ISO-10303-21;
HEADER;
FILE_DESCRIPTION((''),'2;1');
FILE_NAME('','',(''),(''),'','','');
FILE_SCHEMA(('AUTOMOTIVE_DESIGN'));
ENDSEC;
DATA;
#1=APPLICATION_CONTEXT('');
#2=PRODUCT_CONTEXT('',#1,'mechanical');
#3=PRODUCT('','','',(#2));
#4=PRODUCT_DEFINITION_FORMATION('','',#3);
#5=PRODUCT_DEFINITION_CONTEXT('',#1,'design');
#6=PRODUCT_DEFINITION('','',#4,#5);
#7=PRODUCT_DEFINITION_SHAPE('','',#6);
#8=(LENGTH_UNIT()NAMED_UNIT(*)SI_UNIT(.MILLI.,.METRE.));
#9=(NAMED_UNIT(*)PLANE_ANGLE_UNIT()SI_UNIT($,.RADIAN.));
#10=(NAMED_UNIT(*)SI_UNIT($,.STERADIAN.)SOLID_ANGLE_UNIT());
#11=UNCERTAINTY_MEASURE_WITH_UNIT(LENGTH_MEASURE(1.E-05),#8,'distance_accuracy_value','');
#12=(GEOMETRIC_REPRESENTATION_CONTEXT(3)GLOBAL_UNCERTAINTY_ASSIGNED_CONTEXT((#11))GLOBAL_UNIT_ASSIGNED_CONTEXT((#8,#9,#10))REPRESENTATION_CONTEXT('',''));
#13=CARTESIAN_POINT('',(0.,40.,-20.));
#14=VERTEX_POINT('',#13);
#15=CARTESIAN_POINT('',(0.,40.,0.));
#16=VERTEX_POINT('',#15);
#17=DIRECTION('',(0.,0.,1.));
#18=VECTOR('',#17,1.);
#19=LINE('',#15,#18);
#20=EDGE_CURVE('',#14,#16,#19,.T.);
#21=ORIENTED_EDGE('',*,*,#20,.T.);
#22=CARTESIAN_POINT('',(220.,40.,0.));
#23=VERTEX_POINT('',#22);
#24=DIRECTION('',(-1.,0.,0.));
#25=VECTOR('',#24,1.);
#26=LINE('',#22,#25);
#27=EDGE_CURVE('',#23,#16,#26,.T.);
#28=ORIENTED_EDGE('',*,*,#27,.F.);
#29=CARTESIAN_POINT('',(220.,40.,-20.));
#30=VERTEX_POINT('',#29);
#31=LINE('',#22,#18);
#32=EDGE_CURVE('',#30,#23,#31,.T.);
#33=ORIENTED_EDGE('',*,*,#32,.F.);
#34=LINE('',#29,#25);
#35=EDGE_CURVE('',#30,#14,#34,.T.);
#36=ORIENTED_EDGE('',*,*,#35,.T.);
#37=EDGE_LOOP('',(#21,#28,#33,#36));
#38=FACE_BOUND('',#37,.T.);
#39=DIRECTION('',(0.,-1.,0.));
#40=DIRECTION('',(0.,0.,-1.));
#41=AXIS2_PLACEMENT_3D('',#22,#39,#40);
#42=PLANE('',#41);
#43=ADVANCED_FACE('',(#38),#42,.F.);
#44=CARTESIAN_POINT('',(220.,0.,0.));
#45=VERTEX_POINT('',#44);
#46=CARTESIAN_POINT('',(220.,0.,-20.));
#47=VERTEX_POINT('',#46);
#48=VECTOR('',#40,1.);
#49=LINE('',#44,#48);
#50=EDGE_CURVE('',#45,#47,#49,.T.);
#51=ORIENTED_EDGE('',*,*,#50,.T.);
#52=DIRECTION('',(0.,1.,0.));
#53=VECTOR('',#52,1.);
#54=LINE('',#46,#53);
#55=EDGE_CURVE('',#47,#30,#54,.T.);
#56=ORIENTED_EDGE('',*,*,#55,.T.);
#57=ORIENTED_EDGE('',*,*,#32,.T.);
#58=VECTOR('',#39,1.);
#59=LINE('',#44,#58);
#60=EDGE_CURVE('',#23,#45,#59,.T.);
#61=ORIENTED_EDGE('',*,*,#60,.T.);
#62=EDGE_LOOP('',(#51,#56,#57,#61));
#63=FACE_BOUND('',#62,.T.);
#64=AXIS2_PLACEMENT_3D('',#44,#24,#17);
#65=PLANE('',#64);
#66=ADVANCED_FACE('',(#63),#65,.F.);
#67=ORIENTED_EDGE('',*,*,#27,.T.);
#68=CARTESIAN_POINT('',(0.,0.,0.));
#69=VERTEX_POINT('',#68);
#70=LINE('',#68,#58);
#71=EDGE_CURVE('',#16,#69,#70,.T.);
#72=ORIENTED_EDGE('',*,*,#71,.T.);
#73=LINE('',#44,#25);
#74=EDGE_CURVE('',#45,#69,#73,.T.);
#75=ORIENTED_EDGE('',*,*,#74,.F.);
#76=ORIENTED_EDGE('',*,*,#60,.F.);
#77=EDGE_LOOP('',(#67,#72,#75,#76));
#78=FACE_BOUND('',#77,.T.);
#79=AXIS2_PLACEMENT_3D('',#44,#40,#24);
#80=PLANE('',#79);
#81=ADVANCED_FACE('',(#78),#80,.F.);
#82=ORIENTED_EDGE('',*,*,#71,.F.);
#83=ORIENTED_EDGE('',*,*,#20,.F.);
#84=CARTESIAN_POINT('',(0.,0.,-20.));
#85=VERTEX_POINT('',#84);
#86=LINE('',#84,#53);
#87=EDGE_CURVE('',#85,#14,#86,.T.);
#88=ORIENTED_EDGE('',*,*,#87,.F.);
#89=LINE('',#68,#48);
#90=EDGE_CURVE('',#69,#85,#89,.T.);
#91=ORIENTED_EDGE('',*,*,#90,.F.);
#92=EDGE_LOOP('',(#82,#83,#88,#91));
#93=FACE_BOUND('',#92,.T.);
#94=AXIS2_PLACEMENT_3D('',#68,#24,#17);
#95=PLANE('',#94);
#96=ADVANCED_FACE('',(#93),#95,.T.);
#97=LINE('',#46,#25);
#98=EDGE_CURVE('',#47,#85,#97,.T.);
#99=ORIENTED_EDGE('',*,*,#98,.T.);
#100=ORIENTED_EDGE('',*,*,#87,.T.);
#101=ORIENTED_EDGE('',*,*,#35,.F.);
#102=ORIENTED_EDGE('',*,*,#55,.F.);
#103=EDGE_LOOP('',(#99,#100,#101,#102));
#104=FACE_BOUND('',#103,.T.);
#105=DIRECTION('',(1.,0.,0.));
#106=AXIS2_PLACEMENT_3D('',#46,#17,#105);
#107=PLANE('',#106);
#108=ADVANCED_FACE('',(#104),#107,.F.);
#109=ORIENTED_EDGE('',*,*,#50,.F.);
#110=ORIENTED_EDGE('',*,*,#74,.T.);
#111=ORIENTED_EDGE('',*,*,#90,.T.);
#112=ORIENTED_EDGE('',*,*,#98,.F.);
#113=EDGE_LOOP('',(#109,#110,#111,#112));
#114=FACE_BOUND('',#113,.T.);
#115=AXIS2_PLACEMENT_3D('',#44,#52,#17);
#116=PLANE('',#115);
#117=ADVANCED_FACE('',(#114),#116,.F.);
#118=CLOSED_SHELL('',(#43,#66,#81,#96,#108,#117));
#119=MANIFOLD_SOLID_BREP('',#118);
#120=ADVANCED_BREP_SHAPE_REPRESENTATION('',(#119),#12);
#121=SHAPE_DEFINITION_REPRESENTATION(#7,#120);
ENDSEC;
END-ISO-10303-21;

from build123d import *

# Parameters (mm, degrees)
SKETCH_1_W      = 20
SKETCH_1_H      = 40
EXTRUDE_1_DEPTH = 220


with BuildPart() as part:
    # Эскиз1 → Бобышка-Вытянуть1 (new body)
    with BuildSketch(Plane(origin=(0, 0, 0), x_dir=(0, 0, -1), z_dir=(1, 0, 0))):
        with Locations((10, 20)):
            Rectangle(SKETCH_1_W, SKETCH_1_H)
    extrude(amount=EXTRUDE_1_DEPTH)


solid = part.part
